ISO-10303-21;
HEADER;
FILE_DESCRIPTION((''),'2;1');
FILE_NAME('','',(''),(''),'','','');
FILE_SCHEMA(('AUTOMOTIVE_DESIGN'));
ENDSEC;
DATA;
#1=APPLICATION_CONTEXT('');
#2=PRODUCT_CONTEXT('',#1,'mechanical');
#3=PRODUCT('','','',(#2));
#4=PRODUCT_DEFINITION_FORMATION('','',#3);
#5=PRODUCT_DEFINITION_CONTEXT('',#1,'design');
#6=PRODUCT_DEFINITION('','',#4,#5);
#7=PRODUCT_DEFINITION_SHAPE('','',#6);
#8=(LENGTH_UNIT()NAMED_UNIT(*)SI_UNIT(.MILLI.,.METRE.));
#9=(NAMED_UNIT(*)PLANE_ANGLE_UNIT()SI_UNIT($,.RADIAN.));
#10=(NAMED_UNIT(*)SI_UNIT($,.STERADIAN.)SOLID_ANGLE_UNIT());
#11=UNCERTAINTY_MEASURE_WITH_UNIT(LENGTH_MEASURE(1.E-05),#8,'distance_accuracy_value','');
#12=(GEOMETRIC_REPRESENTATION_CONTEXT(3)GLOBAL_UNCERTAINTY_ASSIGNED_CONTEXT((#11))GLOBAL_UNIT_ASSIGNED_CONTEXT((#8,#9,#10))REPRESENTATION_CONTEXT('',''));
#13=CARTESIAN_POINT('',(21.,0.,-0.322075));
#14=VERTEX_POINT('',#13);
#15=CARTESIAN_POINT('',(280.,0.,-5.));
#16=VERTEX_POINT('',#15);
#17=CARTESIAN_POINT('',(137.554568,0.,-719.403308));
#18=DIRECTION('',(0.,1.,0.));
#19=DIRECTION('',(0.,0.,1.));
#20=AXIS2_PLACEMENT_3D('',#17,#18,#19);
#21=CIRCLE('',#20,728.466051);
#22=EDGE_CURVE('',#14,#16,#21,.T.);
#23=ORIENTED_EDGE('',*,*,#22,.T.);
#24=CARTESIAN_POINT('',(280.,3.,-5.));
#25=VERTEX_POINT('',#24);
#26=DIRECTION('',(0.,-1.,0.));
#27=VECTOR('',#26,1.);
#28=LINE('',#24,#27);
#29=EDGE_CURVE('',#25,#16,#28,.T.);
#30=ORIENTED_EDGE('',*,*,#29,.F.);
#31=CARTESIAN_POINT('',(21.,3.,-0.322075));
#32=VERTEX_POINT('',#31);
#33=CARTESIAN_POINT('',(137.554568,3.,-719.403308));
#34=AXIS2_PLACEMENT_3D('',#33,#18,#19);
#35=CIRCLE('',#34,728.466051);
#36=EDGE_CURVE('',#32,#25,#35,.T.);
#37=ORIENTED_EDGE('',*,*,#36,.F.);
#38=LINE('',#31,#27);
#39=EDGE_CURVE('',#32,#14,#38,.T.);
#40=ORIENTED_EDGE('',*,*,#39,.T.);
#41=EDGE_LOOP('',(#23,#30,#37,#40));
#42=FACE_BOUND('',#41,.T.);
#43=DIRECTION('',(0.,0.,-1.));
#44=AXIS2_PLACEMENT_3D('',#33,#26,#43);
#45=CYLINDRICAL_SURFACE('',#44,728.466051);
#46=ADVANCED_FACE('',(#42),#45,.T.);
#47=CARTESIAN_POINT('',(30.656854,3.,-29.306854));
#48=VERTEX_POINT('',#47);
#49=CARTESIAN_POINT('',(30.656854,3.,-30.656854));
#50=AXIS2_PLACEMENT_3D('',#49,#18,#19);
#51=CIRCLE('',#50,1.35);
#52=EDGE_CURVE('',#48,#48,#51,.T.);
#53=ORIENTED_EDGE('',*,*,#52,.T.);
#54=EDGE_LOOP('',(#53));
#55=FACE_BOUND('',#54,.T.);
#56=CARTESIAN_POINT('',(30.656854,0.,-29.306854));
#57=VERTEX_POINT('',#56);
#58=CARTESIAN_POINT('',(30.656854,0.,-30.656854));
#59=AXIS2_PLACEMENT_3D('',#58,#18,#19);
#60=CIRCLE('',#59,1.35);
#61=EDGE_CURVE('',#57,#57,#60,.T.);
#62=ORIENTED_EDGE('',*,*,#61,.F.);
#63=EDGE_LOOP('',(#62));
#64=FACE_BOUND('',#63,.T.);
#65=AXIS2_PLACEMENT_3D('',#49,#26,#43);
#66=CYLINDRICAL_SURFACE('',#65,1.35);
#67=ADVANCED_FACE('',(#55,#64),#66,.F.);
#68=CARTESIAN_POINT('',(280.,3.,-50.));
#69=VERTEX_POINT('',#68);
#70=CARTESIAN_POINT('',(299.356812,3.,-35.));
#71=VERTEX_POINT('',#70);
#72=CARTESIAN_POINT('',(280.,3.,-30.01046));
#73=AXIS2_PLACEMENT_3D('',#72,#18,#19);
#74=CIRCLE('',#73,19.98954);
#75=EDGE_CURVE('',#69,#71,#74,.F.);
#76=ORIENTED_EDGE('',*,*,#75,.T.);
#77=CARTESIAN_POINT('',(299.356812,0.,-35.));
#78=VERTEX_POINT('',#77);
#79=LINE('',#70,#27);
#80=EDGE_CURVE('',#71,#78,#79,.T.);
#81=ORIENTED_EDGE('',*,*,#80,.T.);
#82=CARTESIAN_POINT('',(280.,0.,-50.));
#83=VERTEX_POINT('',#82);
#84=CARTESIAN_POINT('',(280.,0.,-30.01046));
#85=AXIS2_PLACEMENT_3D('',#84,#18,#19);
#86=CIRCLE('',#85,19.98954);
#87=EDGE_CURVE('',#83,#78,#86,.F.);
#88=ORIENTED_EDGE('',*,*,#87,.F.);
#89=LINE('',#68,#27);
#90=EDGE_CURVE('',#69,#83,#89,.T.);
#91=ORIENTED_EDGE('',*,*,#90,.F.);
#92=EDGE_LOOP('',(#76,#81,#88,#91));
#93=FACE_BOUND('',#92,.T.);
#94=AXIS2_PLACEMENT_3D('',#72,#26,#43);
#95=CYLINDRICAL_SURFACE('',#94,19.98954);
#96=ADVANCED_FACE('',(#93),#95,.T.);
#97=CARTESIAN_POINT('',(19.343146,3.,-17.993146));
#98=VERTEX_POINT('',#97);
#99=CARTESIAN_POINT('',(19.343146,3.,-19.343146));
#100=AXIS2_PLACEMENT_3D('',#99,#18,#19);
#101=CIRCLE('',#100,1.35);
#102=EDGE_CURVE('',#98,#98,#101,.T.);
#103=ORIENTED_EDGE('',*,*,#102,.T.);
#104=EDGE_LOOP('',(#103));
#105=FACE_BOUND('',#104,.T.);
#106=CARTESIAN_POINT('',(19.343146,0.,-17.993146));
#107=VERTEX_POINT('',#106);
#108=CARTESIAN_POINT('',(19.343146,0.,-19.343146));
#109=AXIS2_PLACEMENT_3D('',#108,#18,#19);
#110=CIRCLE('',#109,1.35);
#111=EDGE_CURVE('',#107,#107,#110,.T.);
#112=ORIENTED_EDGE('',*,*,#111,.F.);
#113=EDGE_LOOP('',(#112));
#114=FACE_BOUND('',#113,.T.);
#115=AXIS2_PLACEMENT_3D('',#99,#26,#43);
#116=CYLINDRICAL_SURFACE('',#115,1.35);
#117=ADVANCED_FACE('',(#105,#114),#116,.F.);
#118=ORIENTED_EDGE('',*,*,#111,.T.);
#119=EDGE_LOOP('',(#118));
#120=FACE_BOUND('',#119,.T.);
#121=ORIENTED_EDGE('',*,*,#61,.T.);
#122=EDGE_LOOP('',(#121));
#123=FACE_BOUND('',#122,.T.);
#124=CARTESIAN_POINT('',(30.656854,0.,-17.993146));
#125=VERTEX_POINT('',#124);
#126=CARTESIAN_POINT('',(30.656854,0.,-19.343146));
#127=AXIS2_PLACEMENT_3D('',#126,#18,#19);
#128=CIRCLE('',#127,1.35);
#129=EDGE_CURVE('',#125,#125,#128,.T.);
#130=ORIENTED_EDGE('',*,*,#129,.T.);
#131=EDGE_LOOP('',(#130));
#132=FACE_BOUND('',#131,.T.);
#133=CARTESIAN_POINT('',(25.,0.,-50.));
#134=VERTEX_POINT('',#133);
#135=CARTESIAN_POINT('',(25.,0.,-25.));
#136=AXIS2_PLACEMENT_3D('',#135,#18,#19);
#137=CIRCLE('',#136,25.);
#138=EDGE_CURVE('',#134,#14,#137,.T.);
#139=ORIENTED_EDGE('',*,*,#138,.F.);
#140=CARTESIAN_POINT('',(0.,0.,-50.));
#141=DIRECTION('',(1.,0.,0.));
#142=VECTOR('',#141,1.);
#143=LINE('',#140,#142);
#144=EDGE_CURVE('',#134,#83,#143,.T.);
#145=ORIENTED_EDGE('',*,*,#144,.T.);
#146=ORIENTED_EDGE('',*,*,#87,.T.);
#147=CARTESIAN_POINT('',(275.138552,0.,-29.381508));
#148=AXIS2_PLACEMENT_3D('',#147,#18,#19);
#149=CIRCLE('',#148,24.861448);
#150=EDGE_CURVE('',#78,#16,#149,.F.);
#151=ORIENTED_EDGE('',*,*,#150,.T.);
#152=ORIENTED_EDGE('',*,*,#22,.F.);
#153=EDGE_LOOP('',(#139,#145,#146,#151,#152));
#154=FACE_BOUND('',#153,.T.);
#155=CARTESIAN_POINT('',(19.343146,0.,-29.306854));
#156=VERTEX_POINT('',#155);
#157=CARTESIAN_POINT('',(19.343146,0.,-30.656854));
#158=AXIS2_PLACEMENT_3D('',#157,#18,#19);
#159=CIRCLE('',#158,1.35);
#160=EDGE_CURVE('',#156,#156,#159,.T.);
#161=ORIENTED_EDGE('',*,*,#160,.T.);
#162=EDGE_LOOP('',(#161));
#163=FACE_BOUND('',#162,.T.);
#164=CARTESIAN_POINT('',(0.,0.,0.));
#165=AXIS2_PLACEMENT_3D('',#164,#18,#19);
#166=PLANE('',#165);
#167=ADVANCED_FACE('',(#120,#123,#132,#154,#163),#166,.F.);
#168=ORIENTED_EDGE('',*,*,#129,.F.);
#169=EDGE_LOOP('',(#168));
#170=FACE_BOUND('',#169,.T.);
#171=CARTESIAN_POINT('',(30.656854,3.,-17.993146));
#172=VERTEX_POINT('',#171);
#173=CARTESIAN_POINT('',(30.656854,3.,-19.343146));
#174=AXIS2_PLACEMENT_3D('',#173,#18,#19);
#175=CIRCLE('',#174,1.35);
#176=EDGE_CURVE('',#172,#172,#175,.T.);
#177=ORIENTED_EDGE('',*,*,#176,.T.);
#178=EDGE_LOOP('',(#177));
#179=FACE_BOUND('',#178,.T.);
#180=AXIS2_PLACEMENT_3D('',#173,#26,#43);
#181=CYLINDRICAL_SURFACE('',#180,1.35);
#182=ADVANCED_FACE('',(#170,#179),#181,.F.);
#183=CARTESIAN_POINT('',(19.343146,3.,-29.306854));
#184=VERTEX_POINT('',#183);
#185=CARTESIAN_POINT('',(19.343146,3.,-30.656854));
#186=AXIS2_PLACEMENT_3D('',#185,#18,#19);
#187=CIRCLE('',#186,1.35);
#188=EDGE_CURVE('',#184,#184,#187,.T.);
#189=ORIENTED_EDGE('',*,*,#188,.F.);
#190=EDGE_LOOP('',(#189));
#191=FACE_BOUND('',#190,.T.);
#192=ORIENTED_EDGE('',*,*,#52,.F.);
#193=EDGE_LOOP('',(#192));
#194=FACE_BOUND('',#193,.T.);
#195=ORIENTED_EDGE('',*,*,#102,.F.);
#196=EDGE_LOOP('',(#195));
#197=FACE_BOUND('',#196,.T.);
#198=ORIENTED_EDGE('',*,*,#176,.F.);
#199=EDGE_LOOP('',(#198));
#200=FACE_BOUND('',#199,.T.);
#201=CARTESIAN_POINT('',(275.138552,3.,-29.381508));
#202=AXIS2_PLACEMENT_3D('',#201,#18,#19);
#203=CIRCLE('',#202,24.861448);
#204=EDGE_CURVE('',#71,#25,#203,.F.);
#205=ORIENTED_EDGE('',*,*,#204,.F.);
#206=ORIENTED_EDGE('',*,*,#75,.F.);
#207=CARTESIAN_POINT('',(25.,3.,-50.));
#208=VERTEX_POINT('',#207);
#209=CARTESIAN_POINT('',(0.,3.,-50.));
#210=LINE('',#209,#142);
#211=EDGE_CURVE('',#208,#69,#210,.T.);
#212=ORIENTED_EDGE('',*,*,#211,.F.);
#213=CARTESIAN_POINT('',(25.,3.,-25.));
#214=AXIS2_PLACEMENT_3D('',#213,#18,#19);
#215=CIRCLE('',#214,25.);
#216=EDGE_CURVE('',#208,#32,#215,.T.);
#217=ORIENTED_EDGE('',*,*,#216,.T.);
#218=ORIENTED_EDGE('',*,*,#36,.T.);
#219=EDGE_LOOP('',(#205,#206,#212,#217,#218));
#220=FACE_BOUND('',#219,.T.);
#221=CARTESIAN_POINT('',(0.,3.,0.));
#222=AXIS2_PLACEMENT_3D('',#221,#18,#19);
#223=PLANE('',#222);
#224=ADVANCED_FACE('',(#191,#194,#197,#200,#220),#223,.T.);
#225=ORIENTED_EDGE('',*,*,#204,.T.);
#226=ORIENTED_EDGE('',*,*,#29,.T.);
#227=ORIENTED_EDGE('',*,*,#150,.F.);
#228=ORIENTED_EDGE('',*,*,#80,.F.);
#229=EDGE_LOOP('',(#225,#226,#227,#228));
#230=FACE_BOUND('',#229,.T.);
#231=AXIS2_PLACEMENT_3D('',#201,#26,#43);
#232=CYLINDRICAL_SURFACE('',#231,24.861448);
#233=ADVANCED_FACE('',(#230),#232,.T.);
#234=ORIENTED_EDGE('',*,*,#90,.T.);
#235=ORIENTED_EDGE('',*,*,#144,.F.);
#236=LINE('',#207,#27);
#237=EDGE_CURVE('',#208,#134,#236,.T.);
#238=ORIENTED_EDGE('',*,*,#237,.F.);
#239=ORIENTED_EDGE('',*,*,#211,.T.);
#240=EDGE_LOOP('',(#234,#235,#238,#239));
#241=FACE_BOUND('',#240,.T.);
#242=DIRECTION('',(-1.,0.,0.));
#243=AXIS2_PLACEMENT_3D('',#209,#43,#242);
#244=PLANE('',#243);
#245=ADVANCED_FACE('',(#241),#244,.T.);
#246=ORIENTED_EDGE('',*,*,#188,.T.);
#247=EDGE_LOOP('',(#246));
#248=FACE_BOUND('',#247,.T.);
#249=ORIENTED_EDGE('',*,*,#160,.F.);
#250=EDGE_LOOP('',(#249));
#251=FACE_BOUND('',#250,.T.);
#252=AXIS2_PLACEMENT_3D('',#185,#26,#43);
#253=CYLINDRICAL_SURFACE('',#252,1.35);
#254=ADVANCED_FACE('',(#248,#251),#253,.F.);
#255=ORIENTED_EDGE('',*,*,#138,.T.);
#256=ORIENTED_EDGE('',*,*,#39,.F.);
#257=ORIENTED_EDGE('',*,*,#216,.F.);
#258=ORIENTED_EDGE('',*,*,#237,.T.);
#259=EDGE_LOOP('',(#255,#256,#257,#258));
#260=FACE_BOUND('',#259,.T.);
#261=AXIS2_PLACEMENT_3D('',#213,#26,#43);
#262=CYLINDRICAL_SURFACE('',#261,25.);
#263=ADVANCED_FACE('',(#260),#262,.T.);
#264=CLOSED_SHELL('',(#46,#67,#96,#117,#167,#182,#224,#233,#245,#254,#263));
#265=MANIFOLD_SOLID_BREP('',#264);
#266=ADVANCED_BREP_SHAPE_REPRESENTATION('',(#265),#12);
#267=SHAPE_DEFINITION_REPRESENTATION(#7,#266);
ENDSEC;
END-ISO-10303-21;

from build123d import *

# Parameters (mm, degrees)
SKETCH1_R           = 1.35
BOSS_EXTRUDE1_DEPTH = 3


with BuildPart() as part:
    # Sketch1 → Boss-Extrude1 (new body)
    with BuildSketch(Plane(origin=(0, 0, 0), x_dir=(1, 0, 0), z_dir=(0, 1, 0))):
        with BuildLine():
            Line((280, 50), (25, 50))
            ThreePointArc((25, 50), (0.080648745, 27.00647278), (21, 0.322074641))
            ThreePointArc((21, 0.322074641), (150.709603392, -8.943952981), (280, 5))
            ThreePointArc((280, 5), (296.028917332, 15.902478251), (299.356812448, 35))
            ThreePointArc((299.356812448, 35), (292.244245466, 45.811097932), (280, 50))
        make_face()
        with Locations(Location((19.343145751, 30.656854249, 0), (0, 0, 270))):
            Circle(SKETCH1_R, mode=Mode.SUBTRACT)
        with Locations(Location((30.656854249, 30.656854249, 0), (0, 0, 270))):
            Circle(SKETCH1_R, mode=Mode.SUBTRACT)
        with Locations(Location((19.343145751, 19.343145751, 0), (0, 0, 270))):
            Circle(SKETCH1_R, mode=Mode.SUBTRACT)
        with Locations(Location((30.656854249, 19.343145751, 0), (0, 0, 270))):
            Circle(SKETCH1_R, mode=Mode.SUBTRACT)
    extrude(amount=BOSS_EXTRUDE1_DEPTH)


solid = part.part
